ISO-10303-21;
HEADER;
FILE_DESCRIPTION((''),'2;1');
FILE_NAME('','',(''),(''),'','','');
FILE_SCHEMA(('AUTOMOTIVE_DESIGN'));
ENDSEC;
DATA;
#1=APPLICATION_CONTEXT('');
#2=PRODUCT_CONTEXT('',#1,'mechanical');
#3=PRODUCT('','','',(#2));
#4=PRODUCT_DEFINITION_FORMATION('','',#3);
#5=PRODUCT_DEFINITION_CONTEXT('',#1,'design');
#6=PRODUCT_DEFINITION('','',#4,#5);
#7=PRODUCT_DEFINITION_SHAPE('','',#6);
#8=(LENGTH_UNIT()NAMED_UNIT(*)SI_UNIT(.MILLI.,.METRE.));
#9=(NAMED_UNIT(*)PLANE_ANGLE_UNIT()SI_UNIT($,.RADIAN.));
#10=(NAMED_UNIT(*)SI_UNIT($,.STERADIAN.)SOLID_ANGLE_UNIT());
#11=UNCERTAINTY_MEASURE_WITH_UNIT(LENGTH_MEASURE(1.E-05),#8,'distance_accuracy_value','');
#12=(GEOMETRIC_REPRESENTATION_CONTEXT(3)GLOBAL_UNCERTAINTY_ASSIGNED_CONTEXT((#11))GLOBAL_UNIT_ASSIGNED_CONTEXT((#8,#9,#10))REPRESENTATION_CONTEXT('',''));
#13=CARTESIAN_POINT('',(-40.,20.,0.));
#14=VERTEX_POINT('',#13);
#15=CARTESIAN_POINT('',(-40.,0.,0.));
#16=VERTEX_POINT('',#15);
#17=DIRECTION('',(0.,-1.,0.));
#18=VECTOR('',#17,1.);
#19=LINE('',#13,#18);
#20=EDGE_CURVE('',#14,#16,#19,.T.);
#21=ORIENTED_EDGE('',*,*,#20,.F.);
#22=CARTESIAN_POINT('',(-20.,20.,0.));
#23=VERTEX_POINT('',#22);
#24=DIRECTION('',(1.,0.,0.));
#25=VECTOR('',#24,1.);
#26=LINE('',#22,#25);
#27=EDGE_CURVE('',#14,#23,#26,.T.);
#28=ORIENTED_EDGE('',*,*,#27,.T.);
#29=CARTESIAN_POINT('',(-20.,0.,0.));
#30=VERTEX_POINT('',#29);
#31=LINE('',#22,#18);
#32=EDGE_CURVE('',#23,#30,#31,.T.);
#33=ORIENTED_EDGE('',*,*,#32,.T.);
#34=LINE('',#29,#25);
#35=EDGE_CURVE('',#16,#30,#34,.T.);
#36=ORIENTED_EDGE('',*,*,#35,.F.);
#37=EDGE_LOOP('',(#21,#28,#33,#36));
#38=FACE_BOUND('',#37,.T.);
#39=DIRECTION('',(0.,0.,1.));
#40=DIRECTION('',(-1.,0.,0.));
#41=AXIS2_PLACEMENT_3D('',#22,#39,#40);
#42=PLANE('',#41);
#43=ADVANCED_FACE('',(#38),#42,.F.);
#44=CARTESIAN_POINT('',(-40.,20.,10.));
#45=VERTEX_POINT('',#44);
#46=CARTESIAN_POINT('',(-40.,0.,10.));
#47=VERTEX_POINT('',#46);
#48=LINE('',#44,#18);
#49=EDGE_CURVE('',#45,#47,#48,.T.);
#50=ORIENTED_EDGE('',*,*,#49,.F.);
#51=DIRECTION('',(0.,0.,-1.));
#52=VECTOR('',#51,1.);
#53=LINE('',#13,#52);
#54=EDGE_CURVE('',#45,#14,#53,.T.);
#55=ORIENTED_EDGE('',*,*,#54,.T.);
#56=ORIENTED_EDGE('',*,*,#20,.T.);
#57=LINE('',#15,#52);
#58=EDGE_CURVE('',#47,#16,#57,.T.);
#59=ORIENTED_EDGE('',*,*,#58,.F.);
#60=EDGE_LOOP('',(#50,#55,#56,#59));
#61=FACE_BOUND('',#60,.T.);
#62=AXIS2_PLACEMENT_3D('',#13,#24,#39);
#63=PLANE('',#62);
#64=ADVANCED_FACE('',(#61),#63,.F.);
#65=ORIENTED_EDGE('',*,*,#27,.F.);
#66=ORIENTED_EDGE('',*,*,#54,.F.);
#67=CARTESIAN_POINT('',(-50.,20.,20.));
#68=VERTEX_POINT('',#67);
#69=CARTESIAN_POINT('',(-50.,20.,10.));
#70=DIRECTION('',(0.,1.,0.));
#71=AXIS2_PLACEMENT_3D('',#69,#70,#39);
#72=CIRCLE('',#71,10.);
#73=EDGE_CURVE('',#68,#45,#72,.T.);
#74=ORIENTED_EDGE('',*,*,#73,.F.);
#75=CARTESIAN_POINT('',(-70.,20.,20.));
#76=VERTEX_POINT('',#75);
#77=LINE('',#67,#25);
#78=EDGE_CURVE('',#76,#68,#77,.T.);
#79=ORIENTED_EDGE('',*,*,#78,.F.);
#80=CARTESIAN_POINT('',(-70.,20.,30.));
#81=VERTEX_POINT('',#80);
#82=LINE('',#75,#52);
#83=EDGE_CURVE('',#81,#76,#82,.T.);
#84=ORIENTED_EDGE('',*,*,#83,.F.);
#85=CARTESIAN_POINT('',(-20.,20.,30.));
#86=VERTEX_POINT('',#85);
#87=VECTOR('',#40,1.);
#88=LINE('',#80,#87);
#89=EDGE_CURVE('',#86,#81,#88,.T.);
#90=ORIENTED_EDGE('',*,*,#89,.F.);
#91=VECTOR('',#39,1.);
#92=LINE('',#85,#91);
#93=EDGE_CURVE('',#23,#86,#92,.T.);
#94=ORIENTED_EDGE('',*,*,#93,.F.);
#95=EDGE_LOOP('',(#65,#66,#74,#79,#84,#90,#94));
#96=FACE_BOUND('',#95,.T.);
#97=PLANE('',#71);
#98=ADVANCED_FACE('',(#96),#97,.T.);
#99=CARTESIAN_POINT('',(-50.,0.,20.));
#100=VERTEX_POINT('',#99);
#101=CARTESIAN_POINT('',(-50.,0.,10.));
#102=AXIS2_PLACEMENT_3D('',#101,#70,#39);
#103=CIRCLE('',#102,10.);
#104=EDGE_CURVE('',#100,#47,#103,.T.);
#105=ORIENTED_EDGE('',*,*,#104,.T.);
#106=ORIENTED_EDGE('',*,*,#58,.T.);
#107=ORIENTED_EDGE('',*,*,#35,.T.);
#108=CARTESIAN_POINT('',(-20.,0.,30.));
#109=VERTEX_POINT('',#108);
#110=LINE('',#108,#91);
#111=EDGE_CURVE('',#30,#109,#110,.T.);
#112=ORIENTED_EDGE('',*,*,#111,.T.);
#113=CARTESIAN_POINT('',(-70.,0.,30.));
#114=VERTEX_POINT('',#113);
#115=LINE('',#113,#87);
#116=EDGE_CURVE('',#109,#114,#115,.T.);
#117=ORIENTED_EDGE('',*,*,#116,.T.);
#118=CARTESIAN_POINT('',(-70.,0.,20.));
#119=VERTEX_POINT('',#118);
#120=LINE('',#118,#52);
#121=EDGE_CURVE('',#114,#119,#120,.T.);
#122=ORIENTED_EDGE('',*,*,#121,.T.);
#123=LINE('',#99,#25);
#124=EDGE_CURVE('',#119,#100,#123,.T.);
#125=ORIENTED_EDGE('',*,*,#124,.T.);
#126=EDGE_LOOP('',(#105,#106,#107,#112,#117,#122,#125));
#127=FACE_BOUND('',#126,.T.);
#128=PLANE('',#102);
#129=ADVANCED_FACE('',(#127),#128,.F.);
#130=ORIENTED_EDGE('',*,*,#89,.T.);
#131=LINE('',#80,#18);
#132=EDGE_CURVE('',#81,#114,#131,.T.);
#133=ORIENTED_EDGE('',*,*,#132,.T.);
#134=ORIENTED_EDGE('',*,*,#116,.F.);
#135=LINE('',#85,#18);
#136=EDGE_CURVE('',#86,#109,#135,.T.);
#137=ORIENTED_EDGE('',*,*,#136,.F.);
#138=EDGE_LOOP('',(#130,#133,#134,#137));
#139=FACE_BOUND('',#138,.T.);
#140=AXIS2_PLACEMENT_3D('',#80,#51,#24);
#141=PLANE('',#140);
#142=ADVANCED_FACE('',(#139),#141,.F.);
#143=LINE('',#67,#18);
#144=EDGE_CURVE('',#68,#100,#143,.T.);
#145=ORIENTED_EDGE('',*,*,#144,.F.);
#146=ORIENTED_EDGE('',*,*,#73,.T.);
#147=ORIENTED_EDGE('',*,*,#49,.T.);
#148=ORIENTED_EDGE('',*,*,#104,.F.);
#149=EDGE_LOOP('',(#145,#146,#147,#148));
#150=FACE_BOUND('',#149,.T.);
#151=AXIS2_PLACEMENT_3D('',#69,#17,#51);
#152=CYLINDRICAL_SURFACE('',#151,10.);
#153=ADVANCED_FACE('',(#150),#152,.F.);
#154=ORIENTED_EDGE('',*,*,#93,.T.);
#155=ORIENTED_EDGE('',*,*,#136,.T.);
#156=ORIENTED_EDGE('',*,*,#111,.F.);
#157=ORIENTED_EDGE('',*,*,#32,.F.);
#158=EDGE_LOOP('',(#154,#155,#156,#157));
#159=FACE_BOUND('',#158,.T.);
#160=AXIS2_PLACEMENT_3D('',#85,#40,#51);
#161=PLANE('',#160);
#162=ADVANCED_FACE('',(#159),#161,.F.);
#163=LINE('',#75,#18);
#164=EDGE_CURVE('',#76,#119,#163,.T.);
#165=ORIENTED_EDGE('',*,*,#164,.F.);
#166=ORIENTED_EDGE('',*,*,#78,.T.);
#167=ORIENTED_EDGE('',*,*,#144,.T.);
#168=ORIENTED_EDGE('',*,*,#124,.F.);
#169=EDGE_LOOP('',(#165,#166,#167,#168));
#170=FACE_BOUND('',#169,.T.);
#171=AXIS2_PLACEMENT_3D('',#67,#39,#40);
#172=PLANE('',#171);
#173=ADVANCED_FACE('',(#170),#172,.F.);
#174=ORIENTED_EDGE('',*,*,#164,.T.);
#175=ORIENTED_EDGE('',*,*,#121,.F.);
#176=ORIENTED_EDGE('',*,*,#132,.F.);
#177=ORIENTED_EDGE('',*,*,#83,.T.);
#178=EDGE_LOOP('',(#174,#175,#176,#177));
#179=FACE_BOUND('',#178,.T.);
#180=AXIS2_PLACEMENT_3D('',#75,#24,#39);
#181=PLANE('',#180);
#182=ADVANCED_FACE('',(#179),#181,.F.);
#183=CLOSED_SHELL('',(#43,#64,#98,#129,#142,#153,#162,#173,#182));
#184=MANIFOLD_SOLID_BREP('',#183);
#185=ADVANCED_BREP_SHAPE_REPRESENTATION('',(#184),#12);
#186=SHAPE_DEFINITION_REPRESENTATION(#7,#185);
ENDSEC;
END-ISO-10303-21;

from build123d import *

# Parameters (mm, degrees)
BOSS_EXTRUDE1_DEPTH = 20


with BuildPart() as part:
    # Sketch2 → Boss-Extrude1 (new body)
    with BuildSketch(Plane(origin=(0, 0, 0), x_dir=(1, 0, 0), z_dir=(0, 1, 0))):
        with BuildLine():
            Line((0, 0), (0, -10))
            ThreePointArc((0, -10), (2.928932188, -17.071067812), (10, -20))
            Line((10, -20), (30, -20))
            Line((30, -20), (30, -30))
            Line((30, -30), (-20, -30))
            Line((-20, -30), (-20, 0))
            Line((-20, 0), (0, 0))
        make_face()
    extrude(amount=BOSS_EXTRUDE1_DEPTH)


with BuildPart() as body_2:
    # Mirror1: mirrored copy
    add(part.part.mirror(Plane(origin=(-20, 20, 30), x_dir=(0, 0, 1), z_dir=(1, 0, 0))))


solid = body_2.part
